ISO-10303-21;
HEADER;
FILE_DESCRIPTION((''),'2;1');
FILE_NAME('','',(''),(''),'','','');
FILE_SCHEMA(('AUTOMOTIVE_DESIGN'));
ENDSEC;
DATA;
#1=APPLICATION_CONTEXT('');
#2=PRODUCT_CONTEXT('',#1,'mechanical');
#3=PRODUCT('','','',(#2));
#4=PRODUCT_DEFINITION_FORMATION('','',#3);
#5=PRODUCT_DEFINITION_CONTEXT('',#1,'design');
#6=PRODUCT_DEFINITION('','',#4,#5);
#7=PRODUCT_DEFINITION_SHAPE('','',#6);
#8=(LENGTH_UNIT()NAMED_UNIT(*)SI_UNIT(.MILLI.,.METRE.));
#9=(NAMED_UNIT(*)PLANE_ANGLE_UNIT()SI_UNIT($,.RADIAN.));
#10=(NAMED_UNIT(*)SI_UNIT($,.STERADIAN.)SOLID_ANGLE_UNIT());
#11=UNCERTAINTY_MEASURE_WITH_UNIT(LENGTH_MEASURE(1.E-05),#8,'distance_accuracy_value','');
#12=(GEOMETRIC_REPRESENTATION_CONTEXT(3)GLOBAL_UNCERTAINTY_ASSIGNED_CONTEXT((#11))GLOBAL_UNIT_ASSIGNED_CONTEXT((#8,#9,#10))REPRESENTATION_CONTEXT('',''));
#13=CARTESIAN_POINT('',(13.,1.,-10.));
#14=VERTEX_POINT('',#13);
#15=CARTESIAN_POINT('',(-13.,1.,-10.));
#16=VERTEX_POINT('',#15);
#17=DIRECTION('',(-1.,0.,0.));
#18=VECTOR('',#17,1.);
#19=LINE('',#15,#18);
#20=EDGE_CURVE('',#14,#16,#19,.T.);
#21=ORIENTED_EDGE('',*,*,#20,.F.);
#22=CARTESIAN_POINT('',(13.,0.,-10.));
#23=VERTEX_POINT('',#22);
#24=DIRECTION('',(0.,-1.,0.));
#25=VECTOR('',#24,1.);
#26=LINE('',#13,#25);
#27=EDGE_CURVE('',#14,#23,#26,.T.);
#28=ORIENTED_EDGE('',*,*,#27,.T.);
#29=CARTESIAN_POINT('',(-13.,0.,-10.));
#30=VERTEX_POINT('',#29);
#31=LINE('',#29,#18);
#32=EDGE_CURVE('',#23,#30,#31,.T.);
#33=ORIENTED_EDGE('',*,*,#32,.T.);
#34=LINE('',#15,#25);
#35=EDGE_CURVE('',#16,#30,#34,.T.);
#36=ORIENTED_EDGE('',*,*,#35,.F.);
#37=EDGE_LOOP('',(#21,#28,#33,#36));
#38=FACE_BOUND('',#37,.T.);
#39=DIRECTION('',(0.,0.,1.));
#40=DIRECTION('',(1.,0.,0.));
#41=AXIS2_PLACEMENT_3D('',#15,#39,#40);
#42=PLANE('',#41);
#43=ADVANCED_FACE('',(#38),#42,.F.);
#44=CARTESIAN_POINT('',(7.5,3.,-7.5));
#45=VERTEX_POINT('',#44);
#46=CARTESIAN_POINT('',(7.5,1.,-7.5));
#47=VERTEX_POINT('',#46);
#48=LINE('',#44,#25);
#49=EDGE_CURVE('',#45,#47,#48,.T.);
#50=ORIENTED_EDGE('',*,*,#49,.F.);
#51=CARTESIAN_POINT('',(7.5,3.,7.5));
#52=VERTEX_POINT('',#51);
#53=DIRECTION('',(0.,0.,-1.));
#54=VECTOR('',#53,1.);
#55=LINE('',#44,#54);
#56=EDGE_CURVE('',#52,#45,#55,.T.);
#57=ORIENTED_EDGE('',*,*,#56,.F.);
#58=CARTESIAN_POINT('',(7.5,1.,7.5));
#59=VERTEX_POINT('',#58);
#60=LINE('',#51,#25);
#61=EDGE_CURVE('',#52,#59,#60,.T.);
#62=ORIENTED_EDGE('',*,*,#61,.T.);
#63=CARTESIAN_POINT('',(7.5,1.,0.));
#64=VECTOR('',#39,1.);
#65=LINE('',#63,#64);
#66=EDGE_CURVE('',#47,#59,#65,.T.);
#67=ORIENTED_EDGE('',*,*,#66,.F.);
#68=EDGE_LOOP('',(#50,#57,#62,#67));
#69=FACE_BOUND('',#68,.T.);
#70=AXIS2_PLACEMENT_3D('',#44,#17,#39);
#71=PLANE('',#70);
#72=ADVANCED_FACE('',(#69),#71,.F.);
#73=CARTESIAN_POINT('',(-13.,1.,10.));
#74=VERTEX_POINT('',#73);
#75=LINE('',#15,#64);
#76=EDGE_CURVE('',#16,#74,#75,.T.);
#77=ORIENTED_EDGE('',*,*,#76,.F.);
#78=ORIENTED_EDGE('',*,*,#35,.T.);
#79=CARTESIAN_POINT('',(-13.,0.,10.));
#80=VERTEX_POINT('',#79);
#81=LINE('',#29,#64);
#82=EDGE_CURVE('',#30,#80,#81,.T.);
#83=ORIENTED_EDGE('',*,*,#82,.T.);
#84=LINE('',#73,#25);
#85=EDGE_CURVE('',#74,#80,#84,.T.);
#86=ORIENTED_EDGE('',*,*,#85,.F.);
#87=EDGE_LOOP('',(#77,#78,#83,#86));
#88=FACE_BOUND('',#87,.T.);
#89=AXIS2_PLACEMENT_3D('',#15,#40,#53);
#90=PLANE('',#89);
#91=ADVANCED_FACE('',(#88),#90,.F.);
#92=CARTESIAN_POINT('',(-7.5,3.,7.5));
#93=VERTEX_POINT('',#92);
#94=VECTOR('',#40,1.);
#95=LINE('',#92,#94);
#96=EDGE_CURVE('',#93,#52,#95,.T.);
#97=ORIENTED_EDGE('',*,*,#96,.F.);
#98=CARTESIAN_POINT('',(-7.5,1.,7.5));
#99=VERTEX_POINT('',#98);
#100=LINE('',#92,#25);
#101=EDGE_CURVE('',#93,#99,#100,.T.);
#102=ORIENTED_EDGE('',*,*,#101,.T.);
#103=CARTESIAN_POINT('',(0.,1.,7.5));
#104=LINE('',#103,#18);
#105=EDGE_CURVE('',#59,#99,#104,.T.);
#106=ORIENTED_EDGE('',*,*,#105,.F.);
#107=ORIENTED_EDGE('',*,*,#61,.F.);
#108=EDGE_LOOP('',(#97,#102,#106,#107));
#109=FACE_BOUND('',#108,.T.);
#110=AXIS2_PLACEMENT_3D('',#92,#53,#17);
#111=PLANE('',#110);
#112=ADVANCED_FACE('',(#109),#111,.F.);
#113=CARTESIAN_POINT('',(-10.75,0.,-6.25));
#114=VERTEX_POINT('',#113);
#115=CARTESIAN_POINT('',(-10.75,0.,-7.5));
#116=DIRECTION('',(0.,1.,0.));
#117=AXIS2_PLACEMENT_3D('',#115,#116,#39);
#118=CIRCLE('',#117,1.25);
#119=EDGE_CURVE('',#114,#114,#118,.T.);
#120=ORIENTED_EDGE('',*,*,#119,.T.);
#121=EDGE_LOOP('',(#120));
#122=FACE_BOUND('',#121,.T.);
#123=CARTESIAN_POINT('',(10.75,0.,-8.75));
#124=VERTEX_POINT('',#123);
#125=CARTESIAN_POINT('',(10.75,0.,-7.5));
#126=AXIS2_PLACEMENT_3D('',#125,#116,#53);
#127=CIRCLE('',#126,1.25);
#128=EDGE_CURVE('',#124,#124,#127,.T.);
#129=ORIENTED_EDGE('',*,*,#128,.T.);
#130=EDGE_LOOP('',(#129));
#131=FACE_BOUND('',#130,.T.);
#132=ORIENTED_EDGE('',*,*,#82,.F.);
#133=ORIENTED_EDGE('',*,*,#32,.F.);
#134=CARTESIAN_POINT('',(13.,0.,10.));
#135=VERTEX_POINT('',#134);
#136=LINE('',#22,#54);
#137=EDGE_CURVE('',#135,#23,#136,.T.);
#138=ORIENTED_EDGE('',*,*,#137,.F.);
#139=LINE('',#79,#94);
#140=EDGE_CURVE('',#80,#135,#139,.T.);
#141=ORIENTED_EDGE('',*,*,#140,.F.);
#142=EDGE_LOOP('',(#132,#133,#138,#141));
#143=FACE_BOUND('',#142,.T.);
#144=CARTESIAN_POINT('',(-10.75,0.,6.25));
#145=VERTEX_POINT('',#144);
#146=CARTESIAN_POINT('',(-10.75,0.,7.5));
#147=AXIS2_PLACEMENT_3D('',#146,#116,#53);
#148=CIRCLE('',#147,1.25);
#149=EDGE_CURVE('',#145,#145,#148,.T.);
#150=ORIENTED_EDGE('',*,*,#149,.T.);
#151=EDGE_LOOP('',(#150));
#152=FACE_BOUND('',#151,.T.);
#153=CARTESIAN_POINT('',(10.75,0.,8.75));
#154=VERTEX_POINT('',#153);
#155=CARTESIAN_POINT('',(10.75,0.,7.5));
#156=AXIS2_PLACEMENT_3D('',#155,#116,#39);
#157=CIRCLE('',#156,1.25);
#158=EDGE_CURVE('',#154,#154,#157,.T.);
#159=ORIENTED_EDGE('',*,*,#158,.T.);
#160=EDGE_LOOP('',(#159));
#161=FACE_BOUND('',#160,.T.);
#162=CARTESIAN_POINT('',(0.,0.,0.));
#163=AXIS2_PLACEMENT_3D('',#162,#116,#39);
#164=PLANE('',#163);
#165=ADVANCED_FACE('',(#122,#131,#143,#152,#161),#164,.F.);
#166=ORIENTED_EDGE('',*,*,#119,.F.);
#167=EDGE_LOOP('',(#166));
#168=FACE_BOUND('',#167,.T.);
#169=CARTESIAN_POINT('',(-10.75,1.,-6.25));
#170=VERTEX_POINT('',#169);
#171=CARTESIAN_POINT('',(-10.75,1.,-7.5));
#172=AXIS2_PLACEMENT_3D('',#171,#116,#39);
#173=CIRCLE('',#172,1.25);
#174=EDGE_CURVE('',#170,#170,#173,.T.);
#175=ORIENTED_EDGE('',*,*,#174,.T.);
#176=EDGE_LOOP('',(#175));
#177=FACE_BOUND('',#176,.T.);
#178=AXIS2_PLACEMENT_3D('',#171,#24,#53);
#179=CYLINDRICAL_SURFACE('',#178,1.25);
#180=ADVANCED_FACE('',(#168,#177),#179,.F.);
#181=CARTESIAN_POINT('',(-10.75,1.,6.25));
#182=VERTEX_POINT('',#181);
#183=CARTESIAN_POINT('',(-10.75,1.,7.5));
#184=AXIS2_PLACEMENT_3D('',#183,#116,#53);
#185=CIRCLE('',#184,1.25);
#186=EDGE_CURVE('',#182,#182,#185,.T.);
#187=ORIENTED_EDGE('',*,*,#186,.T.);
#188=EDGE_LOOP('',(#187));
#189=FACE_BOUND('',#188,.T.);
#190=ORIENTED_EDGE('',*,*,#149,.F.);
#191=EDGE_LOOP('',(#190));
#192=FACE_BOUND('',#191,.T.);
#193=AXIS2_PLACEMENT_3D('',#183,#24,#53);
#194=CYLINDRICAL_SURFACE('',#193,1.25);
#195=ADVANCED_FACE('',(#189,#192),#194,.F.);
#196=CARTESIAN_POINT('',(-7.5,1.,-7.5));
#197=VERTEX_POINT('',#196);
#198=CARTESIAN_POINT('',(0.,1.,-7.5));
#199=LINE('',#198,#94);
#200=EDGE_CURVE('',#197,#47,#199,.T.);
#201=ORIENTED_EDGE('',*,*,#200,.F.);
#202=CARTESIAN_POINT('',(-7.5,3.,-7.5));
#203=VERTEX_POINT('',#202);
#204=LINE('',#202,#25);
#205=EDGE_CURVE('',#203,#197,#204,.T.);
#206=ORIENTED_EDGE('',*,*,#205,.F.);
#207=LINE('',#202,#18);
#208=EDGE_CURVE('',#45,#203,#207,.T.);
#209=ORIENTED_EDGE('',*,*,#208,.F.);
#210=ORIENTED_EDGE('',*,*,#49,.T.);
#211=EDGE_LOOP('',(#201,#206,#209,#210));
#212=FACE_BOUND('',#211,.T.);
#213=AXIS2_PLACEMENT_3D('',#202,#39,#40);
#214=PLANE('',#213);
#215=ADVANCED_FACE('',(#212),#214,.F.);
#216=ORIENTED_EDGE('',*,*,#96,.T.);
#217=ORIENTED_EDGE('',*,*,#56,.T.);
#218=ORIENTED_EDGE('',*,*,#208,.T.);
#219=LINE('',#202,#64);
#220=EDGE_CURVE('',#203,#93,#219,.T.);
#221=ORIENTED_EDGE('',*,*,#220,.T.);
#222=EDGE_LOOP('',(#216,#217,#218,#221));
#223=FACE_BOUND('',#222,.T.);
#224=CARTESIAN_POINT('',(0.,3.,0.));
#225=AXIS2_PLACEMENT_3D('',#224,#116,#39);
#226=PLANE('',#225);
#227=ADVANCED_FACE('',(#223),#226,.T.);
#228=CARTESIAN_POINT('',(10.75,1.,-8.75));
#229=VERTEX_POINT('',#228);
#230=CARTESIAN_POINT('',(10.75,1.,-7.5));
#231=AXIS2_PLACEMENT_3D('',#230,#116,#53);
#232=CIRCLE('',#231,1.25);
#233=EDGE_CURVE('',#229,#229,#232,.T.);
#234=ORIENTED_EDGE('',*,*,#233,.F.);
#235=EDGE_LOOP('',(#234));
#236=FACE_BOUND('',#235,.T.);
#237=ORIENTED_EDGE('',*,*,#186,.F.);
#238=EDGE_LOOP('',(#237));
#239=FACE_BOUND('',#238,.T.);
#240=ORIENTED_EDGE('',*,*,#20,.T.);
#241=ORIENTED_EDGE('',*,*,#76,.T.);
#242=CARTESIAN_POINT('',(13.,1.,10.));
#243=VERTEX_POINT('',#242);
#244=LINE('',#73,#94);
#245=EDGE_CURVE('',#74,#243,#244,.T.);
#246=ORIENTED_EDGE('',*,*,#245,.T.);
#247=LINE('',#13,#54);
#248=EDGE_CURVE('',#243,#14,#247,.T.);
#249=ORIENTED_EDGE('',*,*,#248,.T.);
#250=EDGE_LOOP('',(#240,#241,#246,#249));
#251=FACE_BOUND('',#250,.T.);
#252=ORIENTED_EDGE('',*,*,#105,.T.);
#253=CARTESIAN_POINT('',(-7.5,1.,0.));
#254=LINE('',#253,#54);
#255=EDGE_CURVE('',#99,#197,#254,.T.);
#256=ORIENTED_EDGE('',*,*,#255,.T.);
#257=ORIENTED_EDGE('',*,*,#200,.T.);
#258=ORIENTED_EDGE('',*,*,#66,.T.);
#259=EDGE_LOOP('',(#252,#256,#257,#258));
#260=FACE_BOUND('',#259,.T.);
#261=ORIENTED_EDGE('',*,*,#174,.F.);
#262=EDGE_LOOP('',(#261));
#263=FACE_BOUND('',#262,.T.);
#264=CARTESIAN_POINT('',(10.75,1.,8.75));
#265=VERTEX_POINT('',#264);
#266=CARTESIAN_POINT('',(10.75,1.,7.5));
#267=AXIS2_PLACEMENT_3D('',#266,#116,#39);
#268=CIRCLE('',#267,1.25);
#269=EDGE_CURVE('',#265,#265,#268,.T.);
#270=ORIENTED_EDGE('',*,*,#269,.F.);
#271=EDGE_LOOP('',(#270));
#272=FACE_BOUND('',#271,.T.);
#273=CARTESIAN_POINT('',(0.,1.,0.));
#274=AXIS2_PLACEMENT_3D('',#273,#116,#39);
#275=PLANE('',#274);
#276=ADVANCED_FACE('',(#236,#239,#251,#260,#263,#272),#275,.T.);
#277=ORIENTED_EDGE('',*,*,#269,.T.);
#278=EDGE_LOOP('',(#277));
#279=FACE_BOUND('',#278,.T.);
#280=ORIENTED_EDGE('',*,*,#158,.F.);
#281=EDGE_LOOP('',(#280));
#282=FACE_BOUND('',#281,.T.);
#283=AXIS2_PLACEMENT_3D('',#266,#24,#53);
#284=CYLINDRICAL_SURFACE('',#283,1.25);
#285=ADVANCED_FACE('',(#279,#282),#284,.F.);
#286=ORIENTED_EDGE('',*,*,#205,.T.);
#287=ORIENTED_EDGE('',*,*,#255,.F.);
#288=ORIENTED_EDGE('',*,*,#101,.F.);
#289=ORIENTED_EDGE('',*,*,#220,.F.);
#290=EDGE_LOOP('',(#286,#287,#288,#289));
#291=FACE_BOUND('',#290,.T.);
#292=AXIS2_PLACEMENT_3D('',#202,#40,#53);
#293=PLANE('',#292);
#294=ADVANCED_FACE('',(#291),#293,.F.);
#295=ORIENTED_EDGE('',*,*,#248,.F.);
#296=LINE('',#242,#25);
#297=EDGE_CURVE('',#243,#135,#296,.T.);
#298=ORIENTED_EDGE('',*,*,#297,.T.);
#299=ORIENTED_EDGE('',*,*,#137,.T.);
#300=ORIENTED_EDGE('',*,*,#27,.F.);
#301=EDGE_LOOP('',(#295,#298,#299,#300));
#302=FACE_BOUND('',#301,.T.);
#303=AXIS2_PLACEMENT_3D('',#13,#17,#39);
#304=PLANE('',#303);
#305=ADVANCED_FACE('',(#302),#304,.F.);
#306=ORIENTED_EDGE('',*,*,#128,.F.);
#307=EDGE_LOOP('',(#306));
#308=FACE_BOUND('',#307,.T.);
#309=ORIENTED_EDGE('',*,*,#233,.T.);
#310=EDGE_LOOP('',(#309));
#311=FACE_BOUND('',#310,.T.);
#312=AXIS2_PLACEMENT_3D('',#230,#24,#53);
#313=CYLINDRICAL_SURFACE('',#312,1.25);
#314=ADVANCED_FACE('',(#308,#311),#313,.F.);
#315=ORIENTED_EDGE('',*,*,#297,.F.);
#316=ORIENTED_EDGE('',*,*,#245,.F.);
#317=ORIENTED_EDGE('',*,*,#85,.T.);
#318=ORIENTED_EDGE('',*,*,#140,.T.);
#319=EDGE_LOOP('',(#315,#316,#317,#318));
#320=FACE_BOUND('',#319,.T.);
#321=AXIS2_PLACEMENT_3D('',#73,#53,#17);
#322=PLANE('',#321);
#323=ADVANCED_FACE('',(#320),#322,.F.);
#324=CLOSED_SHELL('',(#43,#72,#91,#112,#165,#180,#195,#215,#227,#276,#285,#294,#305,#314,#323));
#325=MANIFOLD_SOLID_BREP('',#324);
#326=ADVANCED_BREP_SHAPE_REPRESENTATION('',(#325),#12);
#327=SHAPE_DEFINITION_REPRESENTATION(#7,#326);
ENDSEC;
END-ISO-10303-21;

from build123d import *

# Parameters (mm, degrees)
SKETCH1_W           = 26
SKETCH1_H           = 20
BOSS_EXTRUDE1_DEPTH = 1
SKETCH2_R           = 1.25
CUT_EXTRUDE1_DEPTH  = 1
SKETCH3_W           = 15
SKETCH3_H           = 15
BOSS_EXTRUDE2_DEPTH = 3


with BuildPart() as part:
    # Sketch1 → Boss-Extrude1 (new body)
    with BuildSketch(Plane(origin=(0, 0, 0), x_dir=(1, 0, 0), z_dir=(0, 1, 0))):
        Rectangle(SKETCH1_W, SKETCH1_H)
    extrude(amount=BOSS_EXTRUDE1_DEPTH)

    # Sketch2 → Cut-Extrude1 (cut)
    with BuildSketch(Plane(origin=(0, 0, 0), x_dir=(1, 0, 0), z_dir=(0, 1, 0))):
        with Locations((-10.75, 7.5)):
            Circle(SKETCH2_R)
        with Locations((-10.75, -7.5)):
            Circle(SKETCH2_R)
        with Locations((10.75, -7.5)):
            Circle(SKETCH2_R)
        with Locations((10.75, 7.5)):
            Circle(SKETCH2_R)
    extrude(amount=CUT_EXTRUDE1_DEPTH, mode=Mode.SUBTRACT)

    # Sketch3 → Boss-Extrude2 (add)
    with BuildSketch(Plane(origin=(0, 0, 0), x_dir=(1, 0, 0), z_dir=(0, 1, 0))):
        Rectangle(SKETCH3_W, SKETCH3_H)
    extrude(amount=BOSS_EXTRUDE2_DEPTH)


solid = part.part
